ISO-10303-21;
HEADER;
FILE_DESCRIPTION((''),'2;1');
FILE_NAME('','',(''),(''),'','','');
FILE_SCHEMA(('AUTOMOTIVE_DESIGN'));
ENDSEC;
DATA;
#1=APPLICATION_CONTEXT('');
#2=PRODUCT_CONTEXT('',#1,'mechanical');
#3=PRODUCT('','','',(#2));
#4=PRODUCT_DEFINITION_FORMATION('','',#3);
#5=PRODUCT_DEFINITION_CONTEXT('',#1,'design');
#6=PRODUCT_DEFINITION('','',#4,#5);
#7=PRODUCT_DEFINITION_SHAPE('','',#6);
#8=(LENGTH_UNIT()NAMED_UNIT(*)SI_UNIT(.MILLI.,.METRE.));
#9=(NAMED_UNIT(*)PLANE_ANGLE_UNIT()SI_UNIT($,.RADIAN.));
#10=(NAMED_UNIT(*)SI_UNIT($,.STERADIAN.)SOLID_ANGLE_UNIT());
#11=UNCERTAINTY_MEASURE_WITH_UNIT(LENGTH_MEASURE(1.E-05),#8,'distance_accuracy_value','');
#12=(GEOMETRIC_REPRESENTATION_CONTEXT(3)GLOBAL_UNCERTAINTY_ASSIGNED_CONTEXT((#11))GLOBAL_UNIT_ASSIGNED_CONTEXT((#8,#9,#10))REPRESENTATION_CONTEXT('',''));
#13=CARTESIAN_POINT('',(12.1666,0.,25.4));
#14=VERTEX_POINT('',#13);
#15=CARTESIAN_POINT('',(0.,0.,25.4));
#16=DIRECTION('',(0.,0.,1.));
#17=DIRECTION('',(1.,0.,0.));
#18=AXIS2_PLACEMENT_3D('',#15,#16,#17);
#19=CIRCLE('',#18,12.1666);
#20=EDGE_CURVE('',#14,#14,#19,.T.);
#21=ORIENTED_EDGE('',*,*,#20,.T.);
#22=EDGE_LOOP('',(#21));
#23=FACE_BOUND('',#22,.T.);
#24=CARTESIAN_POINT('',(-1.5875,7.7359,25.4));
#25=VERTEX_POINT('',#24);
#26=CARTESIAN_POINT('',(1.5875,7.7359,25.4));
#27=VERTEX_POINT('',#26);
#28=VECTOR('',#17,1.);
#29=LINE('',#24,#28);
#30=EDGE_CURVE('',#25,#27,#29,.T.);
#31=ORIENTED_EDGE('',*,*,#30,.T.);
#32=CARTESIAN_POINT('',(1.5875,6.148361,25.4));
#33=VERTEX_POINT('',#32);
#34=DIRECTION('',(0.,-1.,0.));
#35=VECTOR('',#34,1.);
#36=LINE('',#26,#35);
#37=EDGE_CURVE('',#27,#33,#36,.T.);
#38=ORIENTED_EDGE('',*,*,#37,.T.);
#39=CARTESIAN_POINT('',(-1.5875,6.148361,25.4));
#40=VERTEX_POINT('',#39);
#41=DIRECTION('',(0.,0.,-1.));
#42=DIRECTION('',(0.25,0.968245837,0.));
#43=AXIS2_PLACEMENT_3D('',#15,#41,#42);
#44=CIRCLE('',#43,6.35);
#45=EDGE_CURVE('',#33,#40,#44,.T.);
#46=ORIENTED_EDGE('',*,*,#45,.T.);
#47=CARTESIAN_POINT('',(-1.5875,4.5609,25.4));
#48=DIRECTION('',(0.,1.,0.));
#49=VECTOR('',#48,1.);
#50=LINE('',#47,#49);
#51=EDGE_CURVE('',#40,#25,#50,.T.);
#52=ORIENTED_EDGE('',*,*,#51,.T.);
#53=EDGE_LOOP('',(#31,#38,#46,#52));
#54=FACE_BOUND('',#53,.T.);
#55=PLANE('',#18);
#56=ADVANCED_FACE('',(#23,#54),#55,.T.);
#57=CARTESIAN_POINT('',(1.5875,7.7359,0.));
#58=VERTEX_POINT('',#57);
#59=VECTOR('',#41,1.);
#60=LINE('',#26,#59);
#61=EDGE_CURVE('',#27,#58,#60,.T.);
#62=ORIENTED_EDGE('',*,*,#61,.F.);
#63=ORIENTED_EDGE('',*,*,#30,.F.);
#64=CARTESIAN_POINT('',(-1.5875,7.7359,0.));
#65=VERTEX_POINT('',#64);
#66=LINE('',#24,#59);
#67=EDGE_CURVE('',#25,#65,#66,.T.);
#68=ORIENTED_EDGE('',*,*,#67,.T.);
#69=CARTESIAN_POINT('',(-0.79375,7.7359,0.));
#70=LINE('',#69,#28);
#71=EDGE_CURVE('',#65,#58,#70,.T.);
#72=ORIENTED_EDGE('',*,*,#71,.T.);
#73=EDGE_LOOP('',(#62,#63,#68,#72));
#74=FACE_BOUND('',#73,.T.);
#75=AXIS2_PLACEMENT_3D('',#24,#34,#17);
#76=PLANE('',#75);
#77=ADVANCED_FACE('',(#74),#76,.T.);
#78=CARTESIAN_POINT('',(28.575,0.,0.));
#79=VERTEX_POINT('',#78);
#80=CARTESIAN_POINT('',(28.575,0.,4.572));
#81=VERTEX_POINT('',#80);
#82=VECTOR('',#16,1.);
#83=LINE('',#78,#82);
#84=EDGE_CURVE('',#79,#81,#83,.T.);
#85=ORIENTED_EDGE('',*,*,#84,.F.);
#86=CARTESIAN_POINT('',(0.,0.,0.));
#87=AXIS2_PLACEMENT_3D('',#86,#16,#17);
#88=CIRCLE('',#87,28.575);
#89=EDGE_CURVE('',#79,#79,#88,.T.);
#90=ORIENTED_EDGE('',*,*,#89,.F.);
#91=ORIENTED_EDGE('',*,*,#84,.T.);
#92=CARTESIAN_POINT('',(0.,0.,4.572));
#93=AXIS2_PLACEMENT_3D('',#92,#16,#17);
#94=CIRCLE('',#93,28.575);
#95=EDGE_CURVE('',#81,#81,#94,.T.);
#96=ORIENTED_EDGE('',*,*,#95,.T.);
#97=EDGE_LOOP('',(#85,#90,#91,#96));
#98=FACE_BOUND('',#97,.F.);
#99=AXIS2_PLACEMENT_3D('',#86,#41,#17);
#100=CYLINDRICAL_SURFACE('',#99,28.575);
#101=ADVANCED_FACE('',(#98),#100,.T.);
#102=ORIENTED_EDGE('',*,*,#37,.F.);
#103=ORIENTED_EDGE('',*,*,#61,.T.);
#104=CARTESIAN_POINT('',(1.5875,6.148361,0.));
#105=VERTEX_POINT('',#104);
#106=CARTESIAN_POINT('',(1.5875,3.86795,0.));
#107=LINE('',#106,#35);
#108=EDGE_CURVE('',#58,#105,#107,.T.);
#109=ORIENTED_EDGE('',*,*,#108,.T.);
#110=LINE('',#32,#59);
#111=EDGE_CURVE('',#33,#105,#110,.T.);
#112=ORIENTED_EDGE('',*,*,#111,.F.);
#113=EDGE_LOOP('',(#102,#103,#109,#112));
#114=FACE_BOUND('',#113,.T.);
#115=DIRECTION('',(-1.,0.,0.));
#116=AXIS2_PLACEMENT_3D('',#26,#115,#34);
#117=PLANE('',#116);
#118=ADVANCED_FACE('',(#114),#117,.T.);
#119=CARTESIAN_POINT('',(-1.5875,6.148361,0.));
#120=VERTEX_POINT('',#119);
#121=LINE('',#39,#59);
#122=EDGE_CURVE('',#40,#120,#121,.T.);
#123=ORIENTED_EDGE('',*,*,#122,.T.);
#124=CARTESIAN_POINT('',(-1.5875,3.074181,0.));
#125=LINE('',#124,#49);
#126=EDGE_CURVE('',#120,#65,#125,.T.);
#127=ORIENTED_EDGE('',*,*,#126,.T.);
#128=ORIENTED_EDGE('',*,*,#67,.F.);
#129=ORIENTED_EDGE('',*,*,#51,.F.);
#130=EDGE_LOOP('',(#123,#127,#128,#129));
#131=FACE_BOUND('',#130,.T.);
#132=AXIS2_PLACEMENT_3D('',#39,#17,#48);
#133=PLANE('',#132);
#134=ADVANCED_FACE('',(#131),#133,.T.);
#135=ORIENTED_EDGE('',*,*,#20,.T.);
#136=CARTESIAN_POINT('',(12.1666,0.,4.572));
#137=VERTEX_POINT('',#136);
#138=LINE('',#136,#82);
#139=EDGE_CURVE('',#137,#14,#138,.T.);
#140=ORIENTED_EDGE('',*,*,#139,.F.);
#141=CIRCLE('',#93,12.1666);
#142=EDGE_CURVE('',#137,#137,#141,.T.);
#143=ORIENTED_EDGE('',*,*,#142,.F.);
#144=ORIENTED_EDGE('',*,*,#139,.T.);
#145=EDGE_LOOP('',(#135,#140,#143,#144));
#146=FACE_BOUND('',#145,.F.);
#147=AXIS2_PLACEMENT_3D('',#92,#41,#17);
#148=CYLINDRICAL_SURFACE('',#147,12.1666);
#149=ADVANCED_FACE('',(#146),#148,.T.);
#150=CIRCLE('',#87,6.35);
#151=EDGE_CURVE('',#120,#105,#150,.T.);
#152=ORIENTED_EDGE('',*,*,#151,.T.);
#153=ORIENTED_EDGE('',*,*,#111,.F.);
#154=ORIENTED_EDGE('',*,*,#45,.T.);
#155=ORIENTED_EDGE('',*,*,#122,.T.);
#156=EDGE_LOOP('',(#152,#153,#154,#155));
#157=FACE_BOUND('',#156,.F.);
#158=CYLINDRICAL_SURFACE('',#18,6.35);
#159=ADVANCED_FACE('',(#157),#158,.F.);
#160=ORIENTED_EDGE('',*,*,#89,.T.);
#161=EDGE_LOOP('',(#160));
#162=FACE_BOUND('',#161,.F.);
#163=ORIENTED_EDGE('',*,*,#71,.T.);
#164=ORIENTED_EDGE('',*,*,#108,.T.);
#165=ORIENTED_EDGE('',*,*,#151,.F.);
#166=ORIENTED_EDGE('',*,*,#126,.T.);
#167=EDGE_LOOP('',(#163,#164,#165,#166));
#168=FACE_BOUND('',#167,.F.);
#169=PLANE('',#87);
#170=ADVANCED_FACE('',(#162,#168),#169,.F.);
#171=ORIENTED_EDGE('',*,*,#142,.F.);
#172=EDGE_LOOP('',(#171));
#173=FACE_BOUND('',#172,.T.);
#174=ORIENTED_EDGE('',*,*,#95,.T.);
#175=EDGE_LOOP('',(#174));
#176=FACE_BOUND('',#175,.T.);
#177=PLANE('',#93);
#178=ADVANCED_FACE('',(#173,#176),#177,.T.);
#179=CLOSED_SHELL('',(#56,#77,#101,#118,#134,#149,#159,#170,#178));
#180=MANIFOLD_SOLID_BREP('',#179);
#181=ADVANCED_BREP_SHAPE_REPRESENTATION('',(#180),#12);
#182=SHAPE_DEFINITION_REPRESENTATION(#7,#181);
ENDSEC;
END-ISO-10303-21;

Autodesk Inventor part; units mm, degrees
ref_plane "YZ Plane" through (0, 0, 0) normal (1, 0, 0) x (0, 1, 0)
ref_plane "XZ Plane" through (0, 0, 0) normal (0, 1, 0) x (-1, 0, 0)
ref_plane "XY Plane" through (0, 0, 0) normal (0, 0, 1) x (1, 0, 0)
sketch "Sketch1" plane through (0, 0, 0) normal (0, 0, 1) x (1, 0, 0)
  circle A0 centre (0, 0) radius 28.575
  dimension "d0" = 57.15
extrude "Extrusion1" add sketch "Sketch1" along normal blind 4.572
sketch "Sketch2" plane through (0, 0, 4.572) normal (0, 0, 1) x (1, 0, 0)
  circle A0 centre (0, 0) radius 28.575 projected
  circle A1 centre (0, 0) radius 12.1666
  dimension "d3" = 24.3332
extrude "Extrusion2" add sketch "Sketch2" along normal blind 20.828 contours A1
sketch "Sketch3" plane through (0, 0, 25.4) normal (0, 0, 1) x (1, 0, 0)
  circle A0 centre (0, 0) radius 12.1666 projected
  circle A1 centre (0, 0) radius 6.35
  line L0 (-1.5875, 7.7359) -> (1.5875, 7.7359)
  line L1 (1.5875, 7.7359) -> (1.5875, 4.5609)
  line L2 (1.5875, 4.5609) -> (-1.5875, 4.5609)
  line L3 (-1.5875, 4.5609) -> (-1.5875, 7.7359)
  point P0 (0, 7.7359)
  point P1 (-1.5875, 6.1484)
  dimension "d6" = 12.7
  dimension "d7" = 3.175
  dimension "d8" = 3.175
extrude "Extrusion3" cut sketch "Sketch3" against normal through all contours A1 L3 L2 L1 | L1 L2 L3 A1 | A1 L3 L0 L1
properties part number "Hub 500 key"
